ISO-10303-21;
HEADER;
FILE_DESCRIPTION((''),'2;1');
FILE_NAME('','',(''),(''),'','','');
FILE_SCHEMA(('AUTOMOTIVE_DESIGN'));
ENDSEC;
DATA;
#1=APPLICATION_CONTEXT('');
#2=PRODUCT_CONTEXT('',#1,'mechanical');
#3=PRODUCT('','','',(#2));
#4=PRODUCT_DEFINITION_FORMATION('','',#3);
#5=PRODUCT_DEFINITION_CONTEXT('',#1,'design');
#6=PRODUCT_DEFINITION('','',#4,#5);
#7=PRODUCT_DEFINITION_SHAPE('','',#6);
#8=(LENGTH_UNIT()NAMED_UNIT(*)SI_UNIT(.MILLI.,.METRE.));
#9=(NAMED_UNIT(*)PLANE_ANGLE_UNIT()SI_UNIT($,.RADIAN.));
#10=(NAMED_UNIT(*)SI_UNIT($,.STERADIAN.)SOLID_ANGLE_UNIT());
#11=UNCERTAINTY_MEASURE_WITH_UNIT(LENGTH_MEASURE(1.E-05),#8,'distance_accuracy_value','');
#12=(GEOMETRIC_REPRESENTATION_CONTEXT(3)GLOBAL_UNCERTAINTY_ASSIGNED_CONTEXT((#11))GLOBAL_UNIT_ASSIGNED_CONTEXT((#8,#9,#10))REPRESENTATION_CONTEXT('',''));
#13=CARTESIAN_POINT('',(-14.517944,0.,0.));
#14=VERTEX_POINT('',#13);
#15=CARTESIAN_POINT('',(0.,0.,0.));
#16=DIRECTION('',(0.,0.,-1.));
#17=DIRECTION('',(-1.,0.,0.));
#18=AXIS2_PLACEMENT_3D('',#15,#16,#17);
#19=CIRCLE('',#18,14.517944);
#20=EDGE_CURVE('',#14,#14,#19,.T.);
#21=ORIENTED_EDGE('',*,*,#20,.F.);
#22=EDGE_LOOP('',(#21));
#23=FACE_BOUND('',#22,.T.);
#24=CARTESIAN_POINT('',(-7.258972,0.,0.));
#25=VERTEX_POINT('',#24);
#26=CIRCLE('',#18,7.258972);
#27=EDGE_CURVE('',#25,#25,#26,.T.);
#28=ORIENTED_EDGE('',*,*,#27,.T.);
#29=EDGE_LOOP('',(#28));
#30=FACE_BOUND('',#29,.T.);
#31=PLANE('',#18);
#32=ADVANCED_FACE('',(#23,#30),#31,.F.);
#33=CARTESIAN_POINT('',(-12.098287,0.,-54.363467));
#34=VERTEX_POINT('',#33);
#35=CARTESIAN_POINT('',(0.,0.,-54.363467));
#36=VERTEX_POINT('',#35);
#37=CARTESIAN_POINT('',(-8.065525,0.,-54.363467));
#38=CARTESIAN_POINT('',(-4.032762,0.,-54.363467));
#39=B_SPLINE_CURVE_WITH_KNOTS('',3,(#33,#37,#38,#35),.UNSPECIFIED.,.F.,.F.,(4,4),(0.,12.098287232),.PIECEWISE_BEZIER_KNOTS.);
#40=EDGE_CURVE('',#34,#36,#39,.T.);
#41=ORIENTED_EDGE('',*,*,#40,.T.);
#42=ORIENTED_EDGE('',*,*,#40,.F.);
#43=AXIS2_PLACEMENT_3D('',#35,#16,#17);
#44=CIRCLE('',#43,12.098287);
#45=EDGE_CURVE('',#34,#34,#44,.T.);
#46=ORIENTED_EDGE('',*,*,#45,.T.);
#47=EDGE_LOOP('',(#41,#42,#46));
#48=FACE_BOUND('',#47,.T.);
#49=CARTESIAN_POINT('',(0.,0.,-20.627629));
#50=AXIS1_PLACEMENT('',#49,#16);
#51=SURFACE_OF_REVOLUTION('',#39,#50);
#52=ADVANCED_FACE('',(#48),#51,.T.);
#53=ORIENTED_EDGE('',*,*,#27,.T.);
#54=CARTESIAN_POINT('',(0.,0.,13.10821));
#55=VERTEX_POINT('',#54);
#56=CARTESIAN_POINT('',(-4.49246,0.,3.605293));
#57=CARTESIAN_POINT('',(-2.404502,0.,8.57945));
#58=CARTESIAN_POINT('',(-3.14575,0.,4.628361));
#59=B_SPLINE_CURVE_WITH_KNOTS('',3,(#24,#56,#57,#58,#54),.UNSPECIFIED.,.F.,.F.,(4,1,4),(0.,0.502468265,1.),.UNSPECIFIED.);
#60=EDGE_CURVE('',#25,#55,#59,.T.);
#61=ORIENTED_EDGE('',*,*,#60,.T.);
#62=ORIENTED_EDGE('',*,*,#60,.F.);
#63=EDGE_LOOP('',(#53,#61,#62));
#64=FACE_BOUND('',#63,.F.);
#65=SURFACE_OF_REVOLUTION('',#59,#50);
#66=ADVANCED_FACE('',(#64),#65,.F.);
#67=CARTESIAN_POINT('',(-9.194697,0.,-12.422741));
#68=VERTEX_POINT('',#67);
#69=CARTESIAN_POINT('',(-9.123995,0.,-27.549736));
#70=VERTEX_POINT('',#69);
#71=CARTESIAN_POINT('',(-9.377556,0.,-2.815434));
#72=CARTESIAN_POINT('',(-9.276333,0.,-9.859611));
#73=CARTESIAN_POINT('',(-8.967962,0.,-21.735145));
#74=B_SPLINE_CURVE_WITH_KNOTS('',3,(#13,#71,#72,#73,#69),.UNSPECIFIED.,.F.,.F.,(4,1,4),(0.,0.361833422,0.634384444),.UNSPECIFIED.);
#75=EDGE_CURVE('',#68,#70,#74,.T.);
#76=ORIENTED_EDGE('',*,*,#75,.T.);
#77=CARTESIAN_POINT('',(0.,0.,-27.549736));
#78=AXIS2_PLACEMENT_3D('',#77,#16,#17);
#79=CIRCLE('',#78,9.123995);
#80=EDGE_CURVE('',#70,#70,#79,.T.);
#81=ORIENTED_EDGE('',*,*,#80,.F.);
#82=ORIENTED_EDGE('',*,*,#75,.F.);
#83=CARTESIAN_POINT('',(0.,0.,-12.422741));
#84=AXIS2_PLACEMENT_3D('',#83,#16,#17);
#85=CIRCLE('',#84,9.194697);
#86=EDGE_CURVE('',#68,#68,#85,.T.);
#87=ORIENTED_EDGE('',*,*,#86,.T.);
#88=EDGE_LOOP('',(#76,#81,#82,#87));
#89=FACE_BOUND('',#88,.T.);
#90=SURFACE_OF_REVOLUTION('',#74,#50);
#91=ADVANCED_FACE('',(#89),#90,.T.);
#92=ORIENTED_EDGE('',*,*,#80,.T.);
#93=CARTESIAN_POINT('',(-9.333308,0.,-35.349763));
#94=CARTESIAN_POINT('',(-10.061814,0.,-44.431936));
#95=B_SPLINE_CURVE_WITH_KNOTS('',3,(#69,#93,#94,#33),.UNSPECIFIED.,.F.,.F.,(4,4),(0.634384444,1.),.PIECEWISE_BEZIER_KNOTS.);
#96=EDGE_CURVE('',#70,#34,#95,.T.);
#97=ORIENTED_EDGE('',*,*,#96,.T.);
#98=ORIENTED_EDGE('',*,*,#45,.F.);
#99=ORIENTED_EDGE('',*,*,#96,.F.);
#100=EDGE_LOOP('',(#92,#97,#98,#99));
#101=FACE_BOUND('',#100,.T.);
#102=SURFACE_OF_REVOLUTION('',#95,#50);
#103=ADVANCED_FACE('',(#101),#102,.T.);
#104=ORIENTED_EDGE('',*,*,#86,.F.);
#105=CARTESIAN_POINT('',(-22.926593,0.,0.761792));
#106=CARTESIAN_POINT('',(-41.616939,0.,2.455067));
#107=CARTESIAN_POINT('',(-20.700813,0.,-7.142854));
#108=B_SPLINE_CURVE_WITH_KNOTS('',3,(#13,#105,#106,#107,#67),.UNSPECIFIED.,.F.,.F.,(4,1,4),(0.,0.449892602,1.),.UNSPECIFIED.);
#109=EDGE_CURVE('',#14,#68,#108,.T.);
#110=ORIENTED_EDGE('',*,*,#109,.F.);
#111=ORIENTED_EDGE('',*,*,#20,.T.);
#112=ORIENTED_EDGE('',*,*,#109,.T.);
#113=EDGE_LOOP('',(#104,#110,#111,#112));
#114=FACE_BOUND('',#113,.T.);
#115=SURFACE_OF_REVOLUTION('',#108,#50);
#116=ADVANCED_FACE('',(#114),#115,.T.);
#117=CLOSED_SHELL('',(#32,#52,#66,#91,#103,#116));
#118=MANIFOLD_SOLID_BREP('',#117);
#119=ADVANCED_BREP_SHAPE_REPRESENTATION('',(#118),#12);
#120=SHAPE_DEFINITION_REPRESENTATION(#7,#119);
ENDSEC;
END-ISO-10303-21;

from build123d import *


with BuildPart() as f1:
    # F0 (on Front) → F1 (revolve)
    with BuildSketch(Plane.XZ):
        with BuildLine():
            Line((0, -27.5497364838), (0, 0))
            Line((0, 0), (-7.2589721531, 0))
            Line((-7.2589721531, 0), (-14.5179443061, 0))
            add(Edge.make_bspline(
                [(-14.5179443061, 0), (-9.3775563899, -2.8154343998), (-9.3198215703, -6.833216557), (-9.1946972534, -12.4227413908)],
                knots=[0, 0, 0, 0, 0.3618334222, 0.3618334222, 0.3618334222, 0.3618334222], degree=3))
            add(Edge.make_bspline(
                [(-9.1946972534, -12.4227413908), (-9.100447363, -16.6330509134), (-8.967961646, -21.735144514), (-9.1239953895, -27.5497364838)],
                knots=[0.3618334222, 0.3618334222, 0.3618334222, 0.3618334222, 0.6343844436, 0.6343844436, 0.6343844436, 0.6343844436], degree=3))
            Line((-9.1239953895, -27.5497364838), (0, -27.5497364838))
        make_face()
    revolve(axis=Axis((0, 0, -20.6276285462), (0, 0, -1)))

    # F0 (on Front) → F2 (revolve)
    with BuildSketch(Plane.XZ):
        with BuildLine():
            Line((-7.2589721531, 0), (0, 0))
            Line((0, 0), (0, 13.1082097068))
            add(Edge.make_bspline(
                [(-7.2589721531, 0), (-4.4924598292, 3.6052925076), (-2.4045022184, 8.5794495739), (-3.145750045, 4.6283610629), (0, 13.1082097068)],
                knots=[0, 0, 0, 0, 0.5024682649, 1, 1, 1, 1], degree=3))
        make_face()
    revolve(axis=Axis((0, 0, -20.6276285462), (0, 0, -1)))

    # F0 (on Front) → F3 (revolve)
    with BuildSketch(Plane.XZ):
        with BuildLine():
            add(Edge.make_bspline(
                [(-14.5179443061, 0), (-9.3775563899, -2.8154343998), (-9.3198215703, -6.833216557), (-9.1946972534, -12.4227413908)],
                knots=[0, 0, 0, 0, 0.3618334222, 0.3618334222, 0.3618334222, 0.3618334222], degree=3))
            add(Edge.make_bspline(
                [(-14.5179443061, 0), (-22.9265928726, 0.7617920093), (-41.616939242, 2.4550672606), (-20.7008130193, -7.1428539374), (-9.1946972534, -12.4227413908)],
                knots=[0, 0, 0, 0, 0.4498926023, 1, 1, 1, 1], degree=3))
        make_face()
    revolve(axis=Axis((0, 0, -20.6276285462), (0, 0, -1)))

    # F0 (on Front) → F4 (revolve)
    with BuildSketch(Plane.XZ):
        with BuildLine():
            Line((0, -54.3634667993), (0, -27.5497364838))
            Line((0, -27.5497364838), (-9.1239953895, -27.5497364838))
            add(Edge.make_bspline(
                [(-9.1239953895, -27.5497364838), (-9.3333079933, -35.3497633077), (-10.0618135818, -44.4319364176), (-12.0982872322, -54.3634667993)],
                knots=[0.6343844436, 0.6343844436, 0.6343844436, 0.6343844436, 1, 1, 1, 1], degree=3))
            add(Edge.make_bspline(
                [(-12.0982872322, -54.3634667993), (-8.0655248215, -54.3634667993), (-4.0327624107, -54.3634667993), (0, -54.3634667993)],
                knots=[0, 0, 0, 0, 12.0982872322, 12.0982872322, 12.0982872322, 12.0982872322], degree=3))
        make_face()
    revolve(axis=Axis((0, 0, -20.6276285462), (0, 0, -1)))


solid = f1.part
